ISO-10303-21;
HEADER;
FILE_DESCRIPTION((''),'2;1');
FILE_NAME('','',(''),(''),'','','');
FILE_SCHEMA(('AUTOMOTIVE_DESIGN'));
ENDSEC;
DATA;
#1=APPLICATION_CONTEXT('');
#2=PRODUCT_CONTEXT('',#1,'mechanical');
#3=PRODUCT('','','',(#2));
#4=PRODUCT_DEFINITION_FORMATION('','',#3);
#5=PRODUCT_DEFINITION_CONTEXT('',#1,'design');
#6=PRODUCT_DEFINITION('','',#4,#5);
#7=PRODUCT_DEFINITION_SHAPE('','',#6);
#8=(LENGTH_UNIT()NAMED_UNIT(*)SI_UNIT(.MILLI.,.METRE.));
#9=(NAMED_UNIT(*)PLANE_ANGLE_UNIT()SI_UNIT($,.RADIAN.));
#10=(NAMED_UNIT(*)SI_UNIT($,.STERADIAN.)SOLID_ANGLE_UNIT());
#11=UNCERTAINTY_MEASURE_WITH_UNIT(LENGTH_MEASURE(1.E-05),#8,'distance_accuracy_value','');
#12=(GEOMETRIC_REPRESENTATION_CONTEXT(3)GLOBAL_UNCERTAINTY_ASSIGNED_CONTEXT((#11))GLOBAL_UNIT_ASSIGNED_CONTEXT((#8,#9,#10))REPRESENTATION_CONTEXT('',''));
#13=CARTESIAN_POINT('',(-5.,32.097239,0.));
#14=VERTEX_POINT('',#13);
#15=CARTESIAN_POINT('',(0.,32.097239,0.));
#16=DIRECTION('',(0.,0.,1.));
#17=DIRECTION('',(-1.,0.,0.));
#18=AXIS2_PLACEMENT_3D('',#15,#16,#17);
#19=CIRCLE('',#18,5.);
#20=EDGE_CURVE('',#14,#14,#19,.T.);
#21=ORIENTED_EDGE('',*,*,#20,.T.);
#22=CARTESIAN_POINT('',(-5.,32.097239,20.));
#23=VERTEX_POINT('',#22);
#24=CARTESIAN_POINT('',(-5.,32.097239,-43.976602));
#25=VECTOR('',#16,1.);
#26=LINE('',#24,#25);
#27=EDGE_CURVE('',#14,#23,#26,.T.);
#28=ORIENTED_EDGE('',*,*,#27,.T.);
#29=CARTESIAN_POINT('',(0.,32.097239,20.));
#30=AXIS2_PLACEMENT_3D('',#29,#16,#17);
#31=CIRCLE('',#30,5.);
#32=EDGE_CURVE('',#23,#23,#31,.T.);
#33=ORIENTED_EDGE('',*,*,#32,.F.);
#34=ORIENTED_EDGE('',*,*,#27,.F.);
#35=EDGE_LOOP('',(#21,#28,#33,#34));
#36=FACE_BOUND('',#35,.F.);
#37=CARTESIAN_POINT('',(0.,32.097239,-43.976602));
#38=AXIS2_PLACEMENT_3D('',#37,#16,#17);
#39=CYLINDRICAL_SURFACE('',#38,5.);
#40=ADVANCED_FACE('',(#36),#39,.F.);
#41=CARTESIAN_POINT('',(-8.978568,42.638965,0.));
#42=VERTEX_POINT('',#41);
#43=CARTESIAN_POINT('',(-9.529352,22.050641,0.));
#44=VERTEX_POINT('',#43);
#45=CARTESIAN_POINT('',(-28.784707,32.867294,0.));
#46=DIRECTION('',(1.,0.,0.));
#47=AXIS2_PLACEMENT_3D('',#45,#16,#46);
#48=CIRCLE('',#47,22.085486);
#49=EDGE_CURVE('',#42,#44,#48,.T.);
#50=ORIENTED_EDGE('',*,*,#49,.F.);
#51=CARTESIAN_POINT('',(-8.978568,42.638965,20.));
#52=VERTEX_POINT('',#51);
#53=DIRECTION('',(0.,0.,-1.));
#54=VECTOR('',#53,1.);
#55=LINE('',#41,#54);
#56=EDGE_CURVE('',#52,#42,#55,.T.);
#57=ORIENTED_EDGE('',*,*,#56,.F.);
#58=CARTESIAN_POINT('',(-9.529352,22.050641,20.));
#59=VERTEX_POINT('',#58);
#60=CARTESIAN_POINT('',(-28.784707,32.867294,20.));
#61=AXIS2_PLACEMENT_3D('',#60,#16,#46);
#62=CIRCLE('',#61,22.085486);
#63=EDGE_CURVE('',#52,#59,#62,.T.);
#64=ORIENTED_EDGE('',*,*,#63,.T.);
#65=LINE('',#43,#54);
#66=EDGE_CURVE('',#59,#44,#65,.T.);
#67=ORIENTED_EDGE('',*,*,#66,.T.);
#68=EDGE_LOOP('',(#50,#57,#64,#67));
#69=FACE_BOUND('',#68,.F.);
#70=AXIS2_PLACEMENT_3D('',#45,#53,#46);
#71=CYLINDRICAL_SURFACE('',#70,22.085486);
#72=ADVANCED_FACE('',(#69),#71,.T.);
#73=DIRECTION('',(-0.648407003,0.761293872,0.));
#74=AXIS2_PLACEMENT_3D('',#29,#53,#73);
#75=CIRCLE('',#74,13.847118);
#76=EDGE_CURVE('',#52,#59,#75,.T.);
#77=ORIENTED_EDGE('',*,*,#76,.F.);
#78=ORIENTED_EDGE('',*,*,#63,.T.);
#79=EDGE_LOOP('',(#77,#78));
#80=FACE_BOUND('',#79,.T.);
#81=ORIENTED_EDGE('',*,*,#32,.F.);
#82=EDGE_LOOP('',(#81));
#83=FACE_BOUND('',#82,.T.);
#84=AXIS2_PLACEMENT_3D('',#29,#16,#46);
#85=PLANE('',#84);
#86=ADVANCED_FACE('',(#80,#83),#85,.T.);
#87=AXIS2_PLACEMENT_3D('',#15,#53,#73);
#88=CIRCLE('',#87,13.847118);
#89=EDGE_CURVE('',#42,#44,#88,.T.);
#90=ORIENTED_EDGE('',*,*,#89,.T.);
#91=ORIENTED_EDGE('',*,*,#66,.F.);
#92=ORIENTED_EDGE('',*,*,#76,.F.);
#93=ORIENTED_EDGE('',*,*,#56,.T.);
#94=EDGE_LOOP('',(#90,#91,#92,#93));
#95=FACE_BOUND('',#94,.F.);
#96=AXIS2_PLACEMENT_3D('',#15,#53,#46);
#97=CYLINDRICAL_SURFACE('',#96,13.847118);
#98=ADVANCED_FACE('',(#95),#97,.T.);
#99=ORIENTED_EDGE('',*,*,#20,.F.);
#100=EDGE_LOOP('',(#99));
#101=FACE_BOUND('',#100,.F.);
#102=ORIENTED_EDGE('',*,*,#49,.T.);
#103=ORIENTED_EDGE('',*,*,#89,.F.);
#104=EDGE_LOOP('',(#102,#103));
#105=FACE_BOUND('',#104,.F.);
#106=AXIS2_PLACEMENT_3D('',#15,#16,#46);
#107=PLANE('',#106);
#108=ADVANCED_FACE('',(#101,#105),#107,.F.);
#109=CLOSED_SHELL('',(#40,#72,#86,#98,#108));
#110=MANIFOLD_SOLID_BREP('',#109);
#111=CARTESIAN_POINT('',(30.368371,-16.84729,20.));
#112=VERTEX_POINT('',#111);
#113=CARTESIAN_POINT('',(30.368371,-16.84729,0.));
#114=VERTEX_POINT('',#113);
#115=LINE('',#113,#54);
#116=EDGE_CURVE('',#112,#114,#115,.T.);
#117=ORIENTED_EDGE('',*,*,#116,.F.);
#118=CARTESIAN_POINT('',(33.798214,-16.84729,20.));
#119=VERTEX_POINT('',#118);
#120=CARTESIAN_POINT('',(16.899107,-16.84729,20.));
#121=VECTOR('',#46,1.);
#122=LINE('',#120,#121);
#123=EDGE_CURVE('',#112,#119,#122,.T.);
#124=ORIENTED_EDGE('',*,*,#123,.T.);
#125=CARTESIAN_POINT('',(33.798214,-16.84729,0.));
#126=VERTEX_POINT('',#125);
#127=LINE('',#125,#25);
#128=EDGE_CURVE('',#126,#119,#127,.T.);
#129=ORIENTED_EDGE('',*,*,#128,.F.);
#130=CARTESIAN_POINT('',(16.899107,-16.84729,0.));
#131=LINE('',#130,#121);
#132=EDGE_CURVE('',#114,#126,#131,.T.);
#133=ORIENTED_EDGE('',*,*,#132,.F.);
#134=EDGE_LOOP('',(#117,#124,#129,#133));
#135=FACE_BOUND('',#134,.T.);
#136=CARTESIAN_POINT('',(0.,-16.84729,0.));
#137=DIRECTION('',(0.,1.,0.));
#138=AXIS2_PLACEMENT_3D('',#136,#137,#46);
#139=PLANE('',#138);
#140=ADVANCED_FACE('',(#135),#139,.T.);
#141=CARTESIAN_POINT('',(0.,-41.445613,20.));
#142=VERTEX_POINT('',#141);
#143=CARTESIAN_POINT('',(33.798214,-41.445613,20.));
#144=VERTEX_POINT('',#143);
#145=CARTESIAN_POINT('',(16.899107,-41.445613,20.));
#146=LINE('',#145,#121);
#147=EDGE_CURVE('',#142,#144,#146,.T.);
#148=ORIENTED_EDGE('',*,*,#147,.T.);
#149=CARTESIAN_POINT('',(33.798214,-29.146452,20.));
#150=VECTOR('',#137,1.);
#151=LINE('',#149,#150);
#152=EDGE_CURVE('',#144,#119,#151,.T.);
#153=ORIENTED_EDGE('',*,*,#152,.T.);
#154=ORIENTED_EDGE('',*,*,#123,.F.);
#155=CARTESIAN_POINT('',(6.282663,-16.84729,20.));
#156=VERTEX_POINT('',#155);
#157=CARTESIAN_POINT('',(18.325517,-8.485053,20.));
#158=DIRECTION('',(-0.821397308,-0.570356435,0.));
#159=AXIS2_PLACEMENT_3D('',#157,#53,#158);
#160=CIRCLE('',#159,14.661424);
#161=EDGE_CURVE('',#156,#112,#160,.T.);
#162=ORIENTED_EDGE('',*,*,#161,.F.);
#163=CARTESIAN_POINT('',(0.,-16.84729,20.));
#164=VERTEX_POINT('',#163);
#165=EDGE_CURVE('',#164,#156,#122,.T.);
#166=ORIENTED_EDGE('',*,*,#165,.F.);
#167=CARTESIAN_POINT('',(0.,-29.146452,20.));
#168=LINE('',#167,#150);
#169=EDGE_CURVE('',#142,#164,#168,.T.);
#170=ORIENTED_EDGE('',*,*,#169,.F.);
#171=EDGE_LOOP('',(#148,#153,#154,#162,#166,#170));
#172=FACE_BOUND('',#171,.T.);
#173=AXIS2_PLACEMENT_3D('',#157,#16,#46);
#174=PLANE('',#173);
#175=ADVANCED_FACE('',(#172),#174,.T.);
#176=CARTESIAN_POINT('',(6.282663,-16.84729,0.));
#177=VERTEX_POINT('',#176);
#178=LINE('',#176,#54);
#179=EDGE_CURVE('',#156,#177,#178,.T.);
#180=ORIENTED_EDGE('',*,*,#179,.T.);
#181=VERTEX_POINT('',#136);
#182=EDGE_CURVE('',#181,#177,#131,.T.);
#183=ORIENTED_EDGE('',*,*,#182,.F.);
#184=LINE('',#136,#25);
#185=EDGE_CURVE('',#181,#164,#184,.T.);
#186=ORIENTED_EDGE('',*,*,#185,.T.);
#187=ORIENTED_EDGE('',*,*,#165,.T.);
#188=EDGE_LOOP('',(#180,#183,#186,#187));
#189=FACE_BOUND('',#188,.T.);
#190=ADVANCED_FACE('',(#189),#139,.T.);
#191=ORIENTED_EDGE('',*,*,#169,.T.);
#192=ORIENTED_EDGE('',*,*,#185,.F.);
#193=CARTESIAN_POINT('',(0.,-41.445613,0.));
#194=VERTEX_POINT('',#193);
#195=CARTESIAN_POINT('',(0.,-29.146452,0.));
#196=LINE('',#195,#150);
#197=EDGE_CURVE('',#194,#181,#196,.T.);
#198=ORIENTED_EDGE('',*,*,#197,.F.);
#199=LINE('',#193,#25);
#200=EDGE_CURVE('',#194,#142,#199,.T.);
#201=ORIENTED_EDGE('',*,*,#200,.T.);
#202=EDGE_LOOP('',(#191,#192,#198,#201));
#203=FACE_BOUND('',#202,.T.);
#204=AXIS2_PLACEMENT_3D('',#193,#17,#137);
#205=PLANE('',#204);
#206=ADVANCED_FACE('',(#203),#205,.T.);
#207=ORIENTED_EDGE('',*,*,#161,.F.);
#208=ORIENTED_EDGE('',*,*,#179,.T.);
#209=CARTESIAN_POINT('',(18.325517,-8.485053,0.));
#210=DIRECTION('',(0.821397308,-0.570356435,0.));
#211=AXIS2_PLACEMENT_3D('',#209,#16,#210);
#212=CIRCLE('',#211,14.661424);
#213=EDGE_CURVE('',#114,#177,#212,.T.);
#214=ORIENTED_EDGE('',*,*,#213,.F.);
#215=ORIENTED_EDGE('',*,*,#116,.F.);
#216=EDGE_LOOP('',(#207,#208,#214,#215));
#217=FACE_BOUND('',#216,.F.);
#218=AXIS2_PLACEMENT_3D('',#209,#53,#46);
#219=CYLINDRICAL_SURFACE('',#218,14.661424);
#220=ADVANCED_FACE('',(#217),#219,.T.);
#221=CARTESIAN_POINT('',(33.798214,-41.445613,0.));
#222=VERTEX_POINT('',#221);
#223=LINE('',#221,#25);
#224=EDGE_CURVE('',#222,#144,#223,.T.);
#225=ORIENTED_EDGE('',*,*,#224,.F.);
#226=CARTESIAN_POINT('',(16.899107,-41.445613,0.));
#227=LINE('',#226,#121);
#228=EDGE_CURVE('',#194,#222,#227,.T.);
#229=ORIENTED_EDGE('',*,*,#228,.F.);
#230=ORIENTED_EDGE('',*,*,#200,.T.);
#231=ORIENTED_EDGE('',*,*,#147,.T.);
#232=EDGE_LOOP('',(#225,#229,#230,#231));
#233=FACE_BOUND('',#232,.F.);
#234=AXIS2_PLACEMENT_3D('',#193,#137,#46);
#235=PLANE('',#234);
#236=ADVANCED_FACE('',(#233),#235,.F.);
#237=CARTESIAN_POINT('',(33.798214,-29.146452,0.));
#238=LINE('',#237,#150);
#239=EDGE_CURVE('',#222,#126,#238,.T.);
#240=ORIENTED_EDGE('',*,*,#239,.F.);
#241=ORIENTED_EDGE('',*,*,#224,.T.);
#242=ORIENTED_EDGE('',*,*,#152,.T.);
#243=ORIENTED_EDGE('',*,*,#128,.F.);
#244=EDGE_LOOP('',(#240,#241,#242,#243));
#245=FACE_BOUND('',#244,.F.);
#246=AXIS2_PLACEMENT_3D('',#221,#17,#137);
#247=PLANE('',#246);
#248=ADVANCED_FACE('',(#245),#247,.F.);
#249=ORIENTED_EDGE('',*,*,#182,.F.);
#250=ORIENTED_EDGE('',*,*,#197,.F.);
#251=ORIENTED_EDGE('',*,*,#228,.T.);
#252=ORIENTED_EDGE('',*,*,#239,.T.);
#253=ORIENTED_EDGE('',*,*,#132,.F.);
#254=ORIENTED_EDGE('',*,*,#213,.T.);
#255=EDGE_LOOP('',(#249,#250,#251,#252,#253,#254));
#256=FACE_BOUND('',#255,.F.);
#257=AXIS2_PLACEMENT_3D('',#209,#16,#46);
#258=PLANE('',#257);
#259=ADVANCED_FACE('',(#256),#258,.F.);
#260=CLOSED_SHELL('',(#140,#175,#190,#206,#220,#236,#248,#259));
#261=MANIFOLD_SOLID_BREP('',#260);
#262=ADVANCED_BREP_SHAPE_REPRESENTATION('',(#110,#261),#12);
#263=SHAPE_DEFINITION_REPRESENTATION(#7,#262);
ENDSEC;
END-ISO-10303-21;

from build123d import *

# Parameters (mm, degrees)
F0_W     = 33.7982140481
F0_H     = 24.5983228087
F1_DEPTH = 20
F2_R     = 13.8471183211
F3_DEPTH = 20
F4_R     = 14.6614237311
F5_DEPTH = 20
F6_D     = 10
F7_R     = 22.0854860792
F8_DEPTH = 20


with BuildPart() as f1:
    # F0 (on Top) → F1 (new body)
    with BuildSketch(Plane.XY):
        with Locations((16.8991070241, -29.146451503)):
            Rectangle(F0_W, F0_H)
    extrude(amount=F1_DEPTH)

    # F4 (on Top) → F5 (join)
    with BuildSketch(Plane.XY):
        with Locations((18.3255169541, -8.4850527346)):
            Circle(F4_R)
    extrude(amount=F5_DEPTH)


with BuildPart() as f3:
    # F2 (on Top) → F3 (new body)
    with BuildSketch(Plane.XY):
        with Locations((0, 32.0972390473)):
            Circle(F2_R)
    extrude(amount=F3_DEPTH)

    # F6 (through all)
    with Locations(Plane(origin=(0, 0, 0), x_dir=(1, 0, 0), z_dir=(0, 0, -1))):
        with Locations((0, -32.0972390473)):
            Hole(F6_D / 2)

    # F7 (on Top) → F8 (join)
    with BuildSketch(Plane.XY):
        with Locations((-28.7847071886, 32.8672938049)):
            Circle(F7_R)
    extrude(amount=F8_DEPTH)


solid = Compound([f1.part, f3.part])
